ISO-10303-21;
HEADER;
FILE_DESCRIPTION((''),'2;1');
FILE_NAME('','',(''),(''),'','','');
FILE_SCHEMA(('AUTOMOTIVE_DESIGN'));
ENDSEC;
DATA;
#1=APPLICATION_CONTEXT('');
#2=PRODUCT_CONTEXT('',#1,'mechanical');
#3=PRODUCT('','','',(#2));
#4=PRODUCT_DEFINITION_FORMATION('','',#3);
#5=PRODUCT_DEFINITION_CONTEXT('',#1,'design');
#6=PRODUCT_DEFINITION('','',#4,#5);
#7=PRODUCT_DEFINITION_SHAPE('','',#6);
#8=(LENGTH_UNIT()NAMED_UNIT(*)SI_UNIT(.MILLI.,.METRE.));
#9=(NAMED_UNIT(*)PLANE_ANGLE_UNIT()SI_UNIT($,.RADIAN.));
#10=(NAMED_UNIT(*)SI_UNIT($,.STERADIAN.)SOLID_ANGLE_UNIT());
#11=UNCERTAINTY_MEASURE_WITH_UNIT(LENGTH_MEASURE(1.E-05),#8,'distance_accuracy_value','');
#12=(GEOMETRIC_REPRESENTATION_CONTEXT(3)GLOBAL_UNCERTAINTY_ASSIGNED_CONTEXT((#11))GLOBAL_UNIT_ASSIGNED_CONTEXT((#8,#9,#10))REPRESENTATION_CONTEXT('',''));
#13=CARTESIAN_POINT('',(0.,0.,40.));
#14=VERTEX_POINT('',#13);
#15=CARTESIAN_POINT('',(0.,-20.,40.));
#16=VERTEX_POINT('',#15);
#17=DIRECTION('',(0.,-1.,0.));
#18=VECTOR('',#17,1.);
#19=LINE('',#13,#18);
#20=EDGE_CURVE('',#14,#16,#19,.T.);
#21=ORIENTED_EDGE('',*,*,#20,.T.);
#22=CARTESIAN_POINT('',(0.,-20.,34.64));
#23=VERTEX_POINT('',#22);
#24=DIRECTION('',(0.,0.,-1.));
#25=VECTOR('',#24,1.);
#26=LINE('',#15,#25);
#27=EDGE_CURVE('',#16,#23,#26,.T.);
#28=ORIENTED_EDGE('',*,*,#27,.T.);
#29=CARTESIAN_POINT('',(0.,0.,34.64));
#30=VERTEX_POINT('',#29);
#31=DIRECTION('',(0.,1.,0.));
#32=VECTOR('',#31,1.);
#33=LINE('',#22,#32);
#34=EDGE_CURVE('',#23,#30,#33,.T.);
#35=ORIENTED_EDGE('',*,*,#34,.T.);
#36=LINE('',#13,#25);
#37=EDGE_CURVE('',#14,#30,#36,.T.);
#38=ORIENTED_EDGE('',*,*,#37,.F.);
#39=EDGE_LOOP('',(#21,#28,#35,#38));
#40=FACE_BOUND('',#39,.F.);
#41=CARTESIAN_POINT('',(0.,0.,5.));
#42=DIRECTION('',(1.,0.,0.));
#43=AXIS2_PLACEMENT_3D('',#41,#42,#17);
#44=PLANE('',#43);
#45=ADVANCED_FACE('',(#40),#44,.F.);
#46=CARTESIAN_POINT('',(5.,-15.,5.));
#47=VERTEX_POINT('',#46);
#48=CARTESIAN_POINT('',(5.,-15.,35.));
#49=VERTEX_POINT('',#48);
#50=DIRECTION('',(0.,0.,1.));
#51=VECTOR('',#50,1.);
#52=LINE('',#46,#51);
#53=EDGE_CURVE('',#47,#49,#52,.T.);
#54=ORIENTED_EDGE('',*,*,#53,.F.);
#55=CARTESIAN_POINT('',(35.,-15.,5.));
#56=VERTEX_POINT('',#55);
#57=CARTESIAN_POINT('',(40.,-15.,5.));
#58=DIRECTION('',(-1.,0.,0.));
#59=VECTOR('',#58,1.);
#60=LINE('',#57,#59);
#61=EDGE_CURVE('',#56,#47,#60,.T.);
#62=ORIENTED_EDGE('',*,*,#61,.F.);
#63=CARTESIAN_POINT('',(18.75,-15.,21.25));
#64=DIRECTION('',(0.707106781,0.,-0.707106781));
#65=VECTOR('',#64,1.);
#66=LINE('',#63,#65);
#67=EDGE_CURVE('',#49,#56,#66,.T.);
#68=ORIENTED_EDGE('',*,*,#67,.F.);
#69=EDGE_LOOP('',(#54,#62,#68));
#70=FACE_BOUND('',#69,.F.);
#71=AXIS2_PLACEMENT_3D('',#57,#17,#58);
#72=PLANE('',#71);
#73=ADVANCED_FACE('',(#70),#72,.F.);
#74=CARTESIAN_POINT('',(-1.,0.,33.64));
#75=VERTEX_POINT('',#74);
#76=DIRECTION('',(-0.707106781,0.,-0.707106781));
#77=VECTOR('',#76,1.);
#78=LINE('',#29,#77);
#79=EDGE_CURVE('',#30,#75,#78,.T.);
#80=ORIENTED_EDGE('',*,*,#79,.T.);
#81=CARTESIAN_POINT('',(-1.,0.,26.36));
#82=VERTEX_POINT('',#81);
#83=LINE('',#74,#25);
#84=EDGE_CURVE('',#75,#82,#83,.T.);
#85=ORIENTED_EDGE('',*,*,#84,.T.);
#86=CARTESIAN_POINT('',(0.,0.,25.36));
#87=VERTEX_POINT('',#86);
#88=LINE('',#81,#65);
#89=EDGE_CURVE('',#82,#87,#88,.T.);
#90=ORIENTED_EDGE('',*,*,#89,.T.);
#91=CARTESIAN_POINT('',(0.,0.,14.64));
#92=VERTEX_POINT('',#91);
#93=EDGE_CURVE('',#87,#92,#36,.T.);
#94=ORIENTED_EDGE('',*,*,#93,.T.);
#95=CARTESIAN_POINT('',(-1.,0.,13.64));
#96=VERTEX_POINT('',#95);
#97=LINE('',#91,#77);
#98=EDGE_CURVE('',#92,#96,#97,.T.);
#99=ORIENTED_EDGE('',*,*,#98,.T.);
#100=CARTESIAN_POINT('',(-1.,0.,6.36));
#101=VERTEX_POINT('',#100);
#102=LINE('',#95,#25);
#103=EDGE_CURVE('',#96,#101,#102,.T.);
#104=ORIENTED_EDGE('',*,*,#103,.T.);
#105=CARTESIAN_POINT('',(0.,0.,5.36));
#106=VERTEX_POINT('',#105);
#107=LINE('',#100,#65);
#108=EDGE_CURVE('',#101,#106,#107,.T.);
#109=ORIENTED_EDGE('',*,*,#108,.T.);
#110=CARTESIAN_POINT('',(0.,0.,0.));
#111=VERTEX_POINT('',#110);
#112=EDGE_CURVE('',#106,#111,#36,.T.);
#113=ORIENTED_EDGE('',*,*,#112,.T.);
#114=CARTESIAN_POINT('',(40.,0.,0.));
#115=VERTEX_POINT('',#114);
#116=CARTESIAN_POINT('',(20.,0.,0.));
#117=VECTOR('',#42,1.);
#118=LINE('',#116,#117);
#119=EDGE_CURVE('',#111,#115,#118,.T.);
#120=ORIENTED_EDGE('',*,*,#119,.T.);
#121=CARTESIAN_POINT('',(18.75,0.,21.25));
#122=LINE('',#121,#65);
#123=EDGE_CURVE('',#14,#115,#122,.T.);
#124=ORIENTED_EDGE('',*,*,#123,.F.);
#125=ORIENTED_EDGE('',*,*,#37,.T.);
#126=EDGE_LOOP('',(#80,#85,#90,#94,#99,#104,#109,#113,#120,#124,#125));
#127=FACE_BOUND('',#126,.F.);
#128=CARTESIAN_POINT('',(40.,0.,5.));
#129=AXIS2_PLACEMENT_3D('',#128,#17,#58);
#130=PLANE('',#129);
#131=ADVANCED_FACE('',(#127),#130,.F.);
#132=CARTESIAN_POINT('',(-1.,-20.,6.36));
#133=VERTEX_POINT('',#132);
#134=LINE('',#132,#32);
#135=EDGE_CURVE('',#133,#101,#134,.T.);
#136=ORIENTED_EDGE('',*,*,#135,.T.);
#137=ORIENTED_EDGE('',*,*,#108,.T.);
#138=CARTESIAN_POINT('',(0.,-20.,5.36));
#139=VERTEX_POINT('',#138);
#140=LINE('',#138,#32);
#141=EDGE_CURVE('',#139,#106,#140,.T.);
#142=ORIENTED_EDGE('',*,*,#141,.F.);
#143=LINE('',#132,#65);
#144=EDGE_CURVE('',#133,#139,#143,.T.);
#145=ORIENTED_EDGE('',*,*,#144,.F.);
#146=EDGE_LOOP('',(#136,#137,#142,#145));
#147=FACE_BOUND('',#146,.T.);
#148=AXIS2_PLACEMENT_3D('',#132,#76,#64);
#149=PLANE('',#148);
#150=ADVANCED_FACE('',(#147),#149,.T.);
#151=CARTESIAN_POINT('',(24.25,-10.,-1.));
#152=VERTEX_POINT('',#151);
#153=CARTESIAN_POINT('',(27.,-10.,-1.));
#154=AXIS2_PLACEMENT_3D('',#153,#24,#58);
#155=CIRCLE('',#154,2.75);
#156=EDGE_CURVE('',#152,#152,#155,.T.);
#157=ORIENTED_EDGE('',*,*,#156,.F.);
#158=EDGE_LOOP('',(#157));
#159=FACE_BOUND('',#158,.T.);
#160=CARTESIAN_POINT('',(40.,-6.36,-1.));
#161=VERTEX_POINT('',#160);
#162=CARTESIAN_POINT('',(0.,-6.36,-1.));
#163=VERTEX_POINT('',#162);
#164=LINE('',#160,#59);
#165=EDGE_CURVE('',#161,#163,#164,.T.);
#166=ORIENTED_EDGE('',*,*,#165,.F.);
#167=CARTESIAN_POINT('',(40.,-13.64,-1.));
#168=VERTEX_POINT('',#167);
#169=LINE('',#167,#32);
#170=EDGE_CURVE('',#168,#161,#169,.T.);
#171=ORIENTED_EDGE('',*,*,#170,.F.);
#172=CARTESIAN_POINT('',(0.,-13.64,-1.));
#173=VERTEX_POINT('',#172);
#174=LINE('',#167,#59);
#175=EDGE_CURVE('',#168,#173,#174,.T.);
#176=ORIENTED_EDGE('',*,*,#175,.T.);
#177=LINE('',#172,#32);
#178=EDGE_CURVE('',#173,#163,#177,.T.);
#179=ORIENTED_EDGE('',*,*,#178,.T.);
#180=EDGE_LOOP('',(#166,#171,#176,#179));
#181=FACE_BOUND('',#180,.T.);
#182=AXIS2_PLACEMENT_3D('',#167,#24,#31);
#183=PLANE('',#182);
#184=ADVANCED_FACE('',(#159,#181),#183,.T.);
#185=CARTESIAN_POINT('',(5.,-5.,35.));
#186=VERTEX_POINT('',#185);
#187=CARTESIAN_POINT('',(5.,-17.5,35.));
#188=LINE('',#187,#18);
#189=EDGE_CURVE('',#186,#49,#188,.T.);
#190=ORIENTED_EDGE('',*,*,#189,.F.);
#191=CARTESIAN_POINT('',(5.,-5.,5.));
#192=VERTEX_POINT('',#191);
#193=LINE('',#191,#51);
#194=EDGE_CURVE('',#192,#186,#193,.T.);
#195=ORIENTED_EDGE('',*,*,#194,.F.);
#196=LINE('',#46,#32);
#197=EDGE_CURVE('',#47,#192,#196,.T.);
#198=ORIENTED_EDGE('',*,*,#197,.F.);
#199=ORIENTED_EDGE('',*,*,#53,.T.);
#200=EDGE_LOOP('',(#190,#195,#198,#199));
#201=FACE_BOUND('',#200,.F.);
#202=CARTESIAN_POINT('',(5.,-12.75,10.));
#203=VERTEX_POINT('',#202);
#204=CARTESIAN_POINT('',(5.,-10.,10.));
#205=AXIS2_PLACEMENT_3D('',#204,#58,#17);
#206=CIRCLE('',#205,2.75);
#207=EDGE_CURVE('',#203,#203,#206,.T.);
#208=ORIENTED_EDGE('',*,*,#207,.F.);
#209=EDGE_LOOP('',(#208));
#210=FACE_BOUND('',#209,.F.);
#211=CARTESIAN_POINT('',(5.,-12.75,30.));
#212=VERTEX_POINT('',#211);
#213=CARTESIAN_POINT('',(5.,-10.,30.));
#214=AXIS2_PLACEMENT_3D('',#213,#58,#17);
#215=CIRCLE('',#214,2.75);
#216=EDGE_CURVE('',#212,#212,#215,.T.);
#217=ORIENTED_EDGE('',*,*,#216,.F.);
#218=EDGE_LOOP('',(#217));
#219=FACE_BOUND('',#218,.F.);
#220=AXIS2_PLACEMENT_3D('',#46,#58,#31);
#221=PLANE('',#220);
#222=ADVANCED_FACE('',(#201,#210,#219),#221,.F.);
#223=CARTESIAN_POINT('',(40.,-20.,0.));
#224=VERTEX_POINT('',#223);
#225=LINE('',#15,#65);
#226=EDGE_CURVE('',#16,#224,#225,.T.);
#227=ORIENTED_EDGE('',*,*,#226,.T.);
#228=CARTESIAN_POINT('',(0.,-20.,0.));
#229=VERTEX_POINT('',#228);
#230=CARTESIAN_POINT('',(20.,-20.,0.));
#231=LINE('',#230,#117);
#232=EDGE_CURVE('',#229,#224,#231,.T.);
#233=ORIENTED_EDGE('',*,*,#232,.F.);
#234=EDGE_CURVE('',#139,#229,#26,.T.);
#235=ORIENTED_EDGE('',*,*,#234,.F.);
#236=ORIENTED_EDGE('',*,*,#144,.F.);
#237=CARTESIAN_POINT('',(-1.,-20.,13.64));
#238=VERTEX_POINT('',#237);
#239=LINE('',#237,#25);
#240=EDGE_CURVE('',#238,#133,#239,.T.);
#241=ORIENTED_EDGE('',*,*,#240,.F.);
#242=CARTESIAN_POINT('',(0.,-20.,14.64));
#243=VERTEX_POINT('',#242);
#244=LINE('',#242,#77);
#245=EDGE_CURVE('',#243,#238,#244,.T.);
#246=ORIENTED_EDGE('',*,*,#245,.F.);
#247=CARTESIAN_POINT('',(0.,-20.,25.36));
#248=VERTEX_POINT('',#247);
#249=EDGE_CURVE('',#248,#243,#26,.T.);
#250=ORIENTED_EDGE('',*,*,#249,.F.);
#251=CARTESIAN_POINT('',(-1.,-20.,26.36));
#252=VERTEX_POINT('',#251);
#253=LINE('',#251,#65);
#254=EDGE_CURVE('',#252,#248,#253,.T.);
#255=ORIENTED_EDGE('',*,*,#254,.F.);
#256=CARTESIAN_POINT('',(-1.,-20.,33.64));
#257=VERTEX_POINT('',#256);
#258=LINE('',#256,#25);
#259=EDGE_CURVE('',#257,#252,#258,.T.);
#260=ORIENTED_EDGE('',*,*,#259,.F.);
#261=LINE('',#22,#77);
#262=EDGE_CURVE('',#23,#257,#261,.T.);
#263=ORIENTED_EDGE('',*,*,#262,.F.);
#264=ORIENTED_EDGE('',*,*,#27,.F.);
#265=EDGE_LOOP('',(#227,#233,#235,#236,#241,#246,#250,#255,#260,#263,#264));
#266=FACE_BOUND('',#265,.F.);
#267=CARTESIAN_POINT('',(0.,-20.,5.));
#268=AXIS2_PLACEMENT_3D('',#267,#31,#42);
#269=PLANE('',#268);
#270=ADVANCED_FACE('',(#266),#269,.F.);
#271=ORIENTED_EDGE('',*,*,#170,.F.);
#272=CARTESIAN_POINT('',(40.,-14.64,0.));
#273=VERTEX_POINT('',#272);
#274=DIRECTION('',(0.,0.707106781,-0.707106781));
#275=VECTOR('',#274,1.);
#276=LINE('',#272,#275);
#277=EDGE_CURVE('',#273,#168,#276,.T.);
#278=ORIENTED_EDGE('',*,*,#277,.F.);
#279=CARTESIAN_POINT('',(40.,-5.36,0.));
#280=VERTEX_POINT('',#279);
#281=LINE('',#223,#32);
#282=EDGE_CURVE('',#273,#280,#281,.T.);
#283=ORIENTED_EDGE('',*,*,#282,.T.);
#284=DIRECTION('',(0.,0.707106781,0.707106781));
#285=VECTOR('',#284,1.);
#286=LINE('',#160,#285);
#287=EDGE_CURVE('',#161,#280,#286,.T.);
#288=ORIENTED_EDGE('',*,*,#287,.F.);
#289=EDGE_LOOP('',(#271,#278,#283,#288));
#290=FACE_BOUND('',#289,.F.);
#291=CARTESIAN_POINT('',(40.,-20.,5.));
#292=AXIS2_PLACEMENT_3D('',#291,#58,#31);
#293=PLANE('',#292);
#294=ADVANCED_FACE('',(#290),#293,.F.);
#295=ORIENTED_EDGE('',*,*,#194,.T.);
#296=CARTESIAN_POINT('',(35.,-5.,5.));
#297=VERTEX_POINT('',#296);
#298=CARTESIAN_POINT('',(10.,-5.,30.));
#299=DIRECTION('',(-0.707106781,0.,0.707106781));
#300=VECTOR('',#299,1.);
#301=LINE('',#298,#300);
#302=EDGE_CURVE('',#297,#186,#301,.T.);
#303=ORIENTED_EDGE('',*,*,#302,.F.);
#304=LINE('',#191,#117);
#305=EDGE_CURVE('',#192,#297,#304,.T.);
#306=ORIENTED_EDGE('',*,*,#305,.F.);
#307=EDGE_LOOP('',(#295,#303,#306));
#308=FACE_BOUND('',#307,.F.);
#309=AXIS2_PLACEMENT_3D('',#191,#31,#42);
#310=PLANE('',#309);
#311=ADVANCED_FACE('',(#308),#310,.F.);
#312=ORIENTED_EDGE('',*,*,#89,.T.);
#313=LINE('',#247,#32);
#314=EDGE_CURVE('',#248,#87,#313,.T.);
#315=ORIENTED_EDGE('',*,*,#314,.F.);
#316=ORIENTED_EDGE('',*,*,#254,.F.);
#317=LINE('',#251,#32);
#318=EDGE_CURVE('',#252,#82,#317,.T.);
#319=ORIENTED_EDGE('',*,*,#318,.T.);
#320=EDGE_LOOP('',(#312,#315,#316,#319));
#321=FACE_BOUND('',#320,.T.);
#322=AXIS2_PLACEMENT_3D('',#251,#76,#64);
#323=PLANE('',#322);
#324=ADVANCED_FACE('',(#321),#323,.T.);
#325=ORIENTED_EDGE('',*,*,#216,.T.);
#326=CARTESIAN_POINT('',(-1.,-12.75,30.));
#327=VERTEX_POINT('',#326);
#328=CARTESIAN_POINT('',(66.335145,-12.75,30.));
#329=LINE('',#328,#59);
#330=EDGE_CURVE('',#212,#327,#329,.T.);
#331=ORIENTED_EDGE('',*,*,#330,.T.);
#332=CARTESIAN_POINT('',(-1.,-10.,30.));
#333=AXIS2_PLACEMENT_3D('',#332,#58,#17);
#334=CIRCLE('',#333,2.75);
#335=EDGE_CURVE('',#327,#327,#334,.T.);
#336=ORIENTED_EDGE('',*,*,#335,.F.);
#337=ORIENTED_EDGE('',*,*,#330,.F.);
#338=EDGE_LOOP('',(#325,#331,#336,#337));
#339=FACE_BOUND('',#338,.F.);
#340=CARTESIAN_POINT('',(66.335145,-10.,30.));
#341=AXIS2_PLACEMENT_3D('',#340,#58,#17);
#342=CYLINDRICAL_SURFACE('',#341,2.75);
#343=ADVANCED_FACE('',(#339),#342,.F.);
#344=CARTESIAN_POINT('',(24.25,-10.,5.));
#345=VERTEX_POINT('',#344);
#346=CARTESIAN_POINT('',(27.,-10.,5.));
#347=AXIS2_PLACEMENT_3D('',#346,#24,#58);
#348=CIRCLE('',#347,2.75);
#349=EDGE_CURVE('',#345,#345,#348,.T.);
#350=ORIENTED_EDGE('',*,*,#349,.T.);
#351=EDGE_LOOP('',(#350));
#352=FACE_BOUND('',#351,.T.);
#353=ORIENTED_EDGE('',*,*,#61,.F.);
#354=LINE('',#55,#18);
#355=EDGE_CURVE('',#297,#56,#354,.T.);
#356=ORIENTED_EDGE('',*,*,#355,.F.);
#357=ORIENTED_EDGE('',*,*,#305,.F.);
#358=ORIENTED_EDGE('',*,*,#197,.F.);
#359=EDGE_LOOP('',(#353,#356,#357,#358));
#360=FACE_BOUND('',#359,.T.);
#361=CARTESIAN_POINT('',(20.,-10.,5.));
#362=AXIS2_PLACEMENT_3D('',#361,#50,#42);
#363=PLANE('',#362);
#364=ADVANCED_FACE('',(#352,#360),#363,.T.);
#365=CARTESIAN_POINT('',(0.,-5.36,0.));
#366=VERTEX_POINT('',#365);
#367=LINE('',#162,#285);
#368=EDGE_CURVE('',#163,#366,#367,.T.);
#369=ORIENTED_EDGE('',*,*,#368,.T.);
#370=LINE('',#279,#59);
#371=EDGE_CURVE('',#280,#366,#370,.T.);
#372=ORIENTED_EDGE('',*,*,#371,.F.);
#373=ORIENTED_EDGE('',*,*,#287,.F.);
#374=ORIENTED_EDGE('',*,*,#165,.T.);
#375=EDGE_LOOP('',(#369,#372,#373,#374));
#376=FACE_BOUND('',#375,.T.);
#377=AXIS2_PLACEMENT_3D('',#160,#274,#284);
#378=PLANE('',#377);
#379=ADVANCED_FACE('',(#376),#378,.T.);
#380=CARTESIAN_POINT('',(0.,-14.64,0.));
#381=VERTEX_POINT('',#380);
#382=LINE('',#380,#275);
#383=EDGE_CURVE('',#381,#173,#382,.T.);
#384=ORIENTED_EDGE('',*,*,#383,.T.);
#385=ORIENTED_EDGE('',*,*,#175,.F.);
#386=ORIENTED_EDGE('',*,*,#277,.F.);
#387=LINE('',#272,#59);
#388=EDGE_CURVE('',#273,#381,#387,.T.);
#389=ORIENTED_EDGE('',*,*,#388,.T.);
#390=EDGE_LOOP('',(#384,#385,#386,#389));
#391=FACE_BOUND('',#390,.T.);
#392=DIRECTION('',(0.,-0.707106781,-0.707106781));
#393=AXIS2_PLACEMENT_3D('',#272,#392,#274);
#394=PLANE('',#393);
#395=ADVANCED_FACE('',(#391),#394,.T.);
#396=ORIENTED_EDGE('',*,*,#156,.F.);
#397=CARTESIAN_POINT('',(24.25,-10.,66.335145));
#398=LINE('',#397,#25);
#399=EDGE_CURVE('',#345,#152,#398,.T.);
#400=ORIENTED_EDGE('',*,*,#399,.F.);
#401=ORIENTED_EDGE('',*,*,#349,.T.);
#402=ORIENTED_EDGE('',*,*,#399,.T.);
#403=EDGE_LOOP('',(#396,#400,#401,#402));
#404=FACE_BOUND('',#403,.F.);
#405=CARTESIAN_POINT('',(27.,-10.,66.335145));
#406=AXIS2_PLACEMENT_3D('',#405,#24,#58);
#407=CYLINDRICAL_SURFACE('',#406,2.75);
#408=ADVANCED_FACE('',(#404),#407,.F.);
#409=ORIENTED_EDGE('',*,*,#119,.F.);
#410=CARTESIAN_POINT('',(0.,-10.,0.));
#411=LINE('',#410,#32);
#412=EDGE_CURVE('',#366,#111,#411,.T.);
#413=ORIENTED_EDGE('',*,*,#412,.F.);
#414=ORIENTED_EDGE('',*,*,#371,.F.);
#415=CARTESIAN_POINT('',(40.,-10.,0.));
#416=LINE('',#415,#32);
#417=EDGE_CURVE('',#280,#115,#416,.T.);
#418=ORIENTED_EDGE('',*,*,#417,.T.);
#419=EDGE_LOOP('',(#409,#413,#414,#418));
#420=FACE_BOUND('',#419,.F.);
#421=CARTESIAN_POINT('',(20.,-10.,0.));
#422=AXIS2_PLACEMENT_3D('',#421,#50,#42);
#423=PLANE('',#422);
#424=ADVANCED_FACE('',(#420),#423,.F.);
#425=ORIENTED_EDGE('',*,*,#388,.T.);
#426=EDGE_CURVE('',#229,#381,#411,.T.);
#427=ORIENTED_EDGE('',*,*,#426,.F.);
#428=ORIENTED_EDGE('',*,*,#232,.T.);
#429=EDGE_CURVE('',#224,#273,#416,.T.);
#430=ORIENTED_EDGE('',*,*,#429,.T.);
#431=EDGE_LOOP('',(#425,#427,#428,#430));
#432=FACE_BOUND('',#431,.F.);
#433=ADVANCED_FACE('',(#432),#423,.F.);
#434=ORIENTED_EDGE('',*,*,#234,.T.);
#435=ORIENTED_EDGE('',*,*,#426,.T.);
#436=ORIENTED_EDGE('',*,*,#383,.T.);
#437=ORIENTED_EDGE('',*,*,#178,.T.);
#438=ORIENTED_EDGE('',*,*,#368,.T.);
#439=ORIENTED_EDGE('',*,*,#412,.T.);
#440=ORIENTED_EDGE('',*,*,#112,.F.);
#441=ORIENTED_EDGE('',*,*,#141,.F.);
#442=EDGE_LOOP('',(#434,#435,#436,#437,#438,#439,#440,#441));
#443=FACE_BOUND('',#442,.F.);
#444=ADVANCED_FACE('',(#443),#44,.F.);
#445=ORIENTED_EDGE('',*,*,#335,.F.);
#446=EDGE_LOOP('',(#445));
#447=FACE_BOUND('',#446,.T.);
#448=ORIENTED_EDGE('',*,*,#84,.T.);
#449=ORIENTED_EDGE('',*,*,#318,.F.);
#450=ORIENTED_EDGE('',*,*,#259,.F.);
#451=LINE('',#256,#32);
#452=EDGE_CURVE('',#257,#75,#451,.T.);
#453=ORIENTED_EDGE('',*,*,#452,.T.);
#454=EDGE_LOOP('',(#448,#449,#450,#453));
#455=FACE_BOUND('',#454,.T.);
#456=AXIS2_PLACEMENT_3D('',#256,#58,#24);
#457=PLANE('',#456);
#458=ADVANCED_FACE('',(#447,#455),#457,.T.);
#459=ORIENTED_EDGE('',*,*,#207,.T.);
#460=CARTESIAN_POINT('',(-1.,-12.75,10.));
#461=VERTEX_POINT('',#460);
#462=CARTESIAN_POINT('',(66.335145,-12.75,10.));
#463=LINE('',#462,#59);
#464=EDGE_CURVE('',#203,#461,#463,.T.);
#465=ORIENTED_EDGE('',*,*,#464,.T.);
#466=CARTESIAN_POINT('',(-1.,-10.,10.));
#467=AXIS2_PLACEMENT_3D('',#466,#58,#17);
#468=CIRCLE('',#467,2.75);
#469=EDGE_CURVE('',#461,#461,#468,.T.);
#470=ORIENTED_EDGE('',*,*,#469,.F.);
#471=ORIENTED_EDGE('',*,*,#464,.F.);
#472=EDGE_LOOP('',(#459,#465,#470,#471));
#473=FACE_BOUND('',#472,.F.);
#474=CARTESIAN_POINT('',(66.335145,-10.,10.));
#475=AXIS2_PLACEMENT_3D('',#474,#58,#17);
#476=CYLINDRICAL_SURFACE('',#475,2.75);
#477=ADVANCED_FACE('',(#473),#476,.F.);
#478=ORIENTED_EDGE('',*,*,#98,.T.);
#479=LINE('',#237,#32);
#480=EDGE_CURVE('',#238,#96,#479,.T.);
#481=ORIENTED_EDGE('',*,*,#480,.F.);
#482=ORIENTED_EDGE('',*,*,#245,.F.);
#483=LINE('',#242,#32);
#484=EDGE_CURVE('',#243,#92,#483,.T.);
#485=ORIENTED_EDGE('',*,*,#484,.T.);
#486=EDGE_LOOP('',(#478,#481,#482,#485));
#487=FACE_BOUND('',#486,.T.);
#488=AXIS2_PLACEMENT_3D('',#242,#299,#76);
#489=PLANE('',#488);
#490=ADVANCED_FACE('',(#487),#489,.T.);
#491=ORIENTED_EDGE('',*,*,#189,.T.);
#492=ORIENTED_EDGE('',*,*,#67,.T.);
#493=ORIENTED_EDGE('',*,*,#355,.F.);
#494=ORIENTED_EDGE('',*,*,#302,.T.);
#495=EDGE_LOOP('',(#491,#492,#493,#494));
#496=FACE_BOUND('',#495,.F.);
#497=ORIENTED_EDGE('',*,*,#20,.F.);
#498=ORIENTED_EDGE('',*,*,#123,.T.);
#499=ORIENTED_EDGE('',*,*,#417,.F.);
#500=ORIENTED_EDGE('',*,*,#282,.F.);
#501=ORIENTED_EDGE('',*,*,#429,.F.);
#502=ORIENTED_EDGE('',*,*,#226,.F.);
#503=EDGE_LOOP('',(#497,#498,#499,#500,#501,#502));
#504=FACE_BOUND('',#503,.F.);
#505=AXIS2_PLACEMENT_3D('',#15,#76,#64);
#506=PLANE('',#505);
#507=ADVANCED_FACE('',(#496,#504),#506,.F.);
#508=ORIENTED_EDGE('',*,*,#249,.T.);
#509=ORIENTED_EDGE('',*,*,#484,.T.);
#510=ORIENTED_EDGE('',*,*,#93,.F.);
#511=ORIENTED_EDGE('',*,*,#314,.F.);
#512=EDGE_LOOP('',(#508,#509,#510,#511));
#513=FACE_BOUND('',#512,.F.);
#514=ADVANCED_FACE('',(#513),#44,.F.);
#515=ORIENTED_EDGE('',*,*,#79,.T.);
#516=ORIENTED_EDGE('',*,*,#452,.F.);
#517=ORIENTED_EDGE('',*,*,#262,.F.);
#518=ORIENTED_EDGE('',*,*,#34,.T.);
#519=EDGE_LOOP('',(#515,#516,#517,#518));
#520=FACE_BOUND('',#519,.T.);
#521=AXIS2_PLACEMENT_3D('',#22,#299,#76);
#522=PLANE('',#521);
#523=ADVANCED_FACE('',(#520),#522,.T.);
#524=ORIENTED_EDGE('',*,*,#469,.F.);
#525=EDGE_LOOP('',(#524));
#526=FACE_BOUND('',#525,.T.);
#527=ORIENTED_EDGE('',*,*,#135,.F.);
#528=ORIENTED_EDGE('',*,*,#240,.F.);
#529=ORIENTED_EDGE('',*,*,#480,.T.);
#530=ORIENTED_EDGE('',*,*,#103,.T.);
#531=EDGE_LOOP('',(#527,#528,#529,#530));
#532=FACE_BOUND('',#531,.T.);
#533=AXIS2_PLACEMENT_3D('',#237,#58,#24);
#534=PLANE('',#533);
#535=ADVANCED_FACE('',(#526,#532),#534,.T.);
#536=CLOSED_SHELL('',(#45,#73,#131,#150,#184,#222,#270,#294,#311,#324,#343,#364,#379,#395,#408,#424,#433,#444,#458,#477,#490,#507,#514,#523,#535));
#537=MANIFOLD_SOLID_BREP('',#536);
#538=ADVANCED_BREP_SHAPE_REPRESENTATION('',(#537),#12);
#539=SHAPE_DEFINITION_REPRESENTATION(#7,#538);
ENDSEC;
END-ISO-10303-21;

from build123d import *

# Parameters (mm, degrees)
F0_W         = 40
F0_H         = 20
F1_DEPTH     = 5
F3_DEPTH     = 35
F5_DEPTH     = 40
F7_DEPTH     = 20.001
F9_DEPTH     = 20
F12_D        = 5.5
F12_ON_F11_D = 5.5


with BuildPart() as f1:
    # F0 (on Top) → F1 (new body)
    with BuildSketch(Plane.XY):
        with Locations((20, -10)):
            Rectangle(F0_W, F0_H)
    extrude(amount=F1_DEPTH)

    # F2 (on face) → F3 (join)
    with BuildSketch(Plane.XY.offset(5)):
        Polygon((0, -20), (40, -20), (40, -15), (5, -15), (5, -5), (40, -5), (40, 0), (0, 0), align=None)
    extrude(amount=F3_DEPTH)

    # F4 (on face) → F5 (join, through all)
    with BuildSketch(Plane.YZ.offset(40)):
        Polygon((-5.36, 0), (-14.64, 0), (-13.64, -1), (-6.36, -1), align=None)
    extrude(amount=-F5_DEPTH)

    # F6 (on face) → F7 (cut, through all)
    with BuildSketch(Plane.XZ.offset(20)):
        Polygon((40, 40), (0, 40), (40, 0), align=None)
    extrude(amount=-F7_DEPTH, mode=Mode.SUBTRACT)

    # F8 (on face) → F9 (join, through all)
    with BuildSketch(Plane.XZ.offset(20)):
        Polygon((0, 25.36), (0, 34.64), (-1, 33.64), (-1, 26.36), align=None)
        Polygon((0, 5.36), (0, 14.64), (-1, 13.64), (-1, 6.36), align=None)
    extrude(amount=-F9_DEPTH)

    # F12 (through all)
    with Locations(Plane.YZ.offset(5)):
        with Locations((-10, 30), (-10, 10)):
            Hole(F12_D / 2)

    # F12 on F11 (through all)
    with Locations(Plane.XY.offset(5)):
        with Locations((27, -10)):
            Hole(F12_ON_F11_D / 2)


solid = f1.part
